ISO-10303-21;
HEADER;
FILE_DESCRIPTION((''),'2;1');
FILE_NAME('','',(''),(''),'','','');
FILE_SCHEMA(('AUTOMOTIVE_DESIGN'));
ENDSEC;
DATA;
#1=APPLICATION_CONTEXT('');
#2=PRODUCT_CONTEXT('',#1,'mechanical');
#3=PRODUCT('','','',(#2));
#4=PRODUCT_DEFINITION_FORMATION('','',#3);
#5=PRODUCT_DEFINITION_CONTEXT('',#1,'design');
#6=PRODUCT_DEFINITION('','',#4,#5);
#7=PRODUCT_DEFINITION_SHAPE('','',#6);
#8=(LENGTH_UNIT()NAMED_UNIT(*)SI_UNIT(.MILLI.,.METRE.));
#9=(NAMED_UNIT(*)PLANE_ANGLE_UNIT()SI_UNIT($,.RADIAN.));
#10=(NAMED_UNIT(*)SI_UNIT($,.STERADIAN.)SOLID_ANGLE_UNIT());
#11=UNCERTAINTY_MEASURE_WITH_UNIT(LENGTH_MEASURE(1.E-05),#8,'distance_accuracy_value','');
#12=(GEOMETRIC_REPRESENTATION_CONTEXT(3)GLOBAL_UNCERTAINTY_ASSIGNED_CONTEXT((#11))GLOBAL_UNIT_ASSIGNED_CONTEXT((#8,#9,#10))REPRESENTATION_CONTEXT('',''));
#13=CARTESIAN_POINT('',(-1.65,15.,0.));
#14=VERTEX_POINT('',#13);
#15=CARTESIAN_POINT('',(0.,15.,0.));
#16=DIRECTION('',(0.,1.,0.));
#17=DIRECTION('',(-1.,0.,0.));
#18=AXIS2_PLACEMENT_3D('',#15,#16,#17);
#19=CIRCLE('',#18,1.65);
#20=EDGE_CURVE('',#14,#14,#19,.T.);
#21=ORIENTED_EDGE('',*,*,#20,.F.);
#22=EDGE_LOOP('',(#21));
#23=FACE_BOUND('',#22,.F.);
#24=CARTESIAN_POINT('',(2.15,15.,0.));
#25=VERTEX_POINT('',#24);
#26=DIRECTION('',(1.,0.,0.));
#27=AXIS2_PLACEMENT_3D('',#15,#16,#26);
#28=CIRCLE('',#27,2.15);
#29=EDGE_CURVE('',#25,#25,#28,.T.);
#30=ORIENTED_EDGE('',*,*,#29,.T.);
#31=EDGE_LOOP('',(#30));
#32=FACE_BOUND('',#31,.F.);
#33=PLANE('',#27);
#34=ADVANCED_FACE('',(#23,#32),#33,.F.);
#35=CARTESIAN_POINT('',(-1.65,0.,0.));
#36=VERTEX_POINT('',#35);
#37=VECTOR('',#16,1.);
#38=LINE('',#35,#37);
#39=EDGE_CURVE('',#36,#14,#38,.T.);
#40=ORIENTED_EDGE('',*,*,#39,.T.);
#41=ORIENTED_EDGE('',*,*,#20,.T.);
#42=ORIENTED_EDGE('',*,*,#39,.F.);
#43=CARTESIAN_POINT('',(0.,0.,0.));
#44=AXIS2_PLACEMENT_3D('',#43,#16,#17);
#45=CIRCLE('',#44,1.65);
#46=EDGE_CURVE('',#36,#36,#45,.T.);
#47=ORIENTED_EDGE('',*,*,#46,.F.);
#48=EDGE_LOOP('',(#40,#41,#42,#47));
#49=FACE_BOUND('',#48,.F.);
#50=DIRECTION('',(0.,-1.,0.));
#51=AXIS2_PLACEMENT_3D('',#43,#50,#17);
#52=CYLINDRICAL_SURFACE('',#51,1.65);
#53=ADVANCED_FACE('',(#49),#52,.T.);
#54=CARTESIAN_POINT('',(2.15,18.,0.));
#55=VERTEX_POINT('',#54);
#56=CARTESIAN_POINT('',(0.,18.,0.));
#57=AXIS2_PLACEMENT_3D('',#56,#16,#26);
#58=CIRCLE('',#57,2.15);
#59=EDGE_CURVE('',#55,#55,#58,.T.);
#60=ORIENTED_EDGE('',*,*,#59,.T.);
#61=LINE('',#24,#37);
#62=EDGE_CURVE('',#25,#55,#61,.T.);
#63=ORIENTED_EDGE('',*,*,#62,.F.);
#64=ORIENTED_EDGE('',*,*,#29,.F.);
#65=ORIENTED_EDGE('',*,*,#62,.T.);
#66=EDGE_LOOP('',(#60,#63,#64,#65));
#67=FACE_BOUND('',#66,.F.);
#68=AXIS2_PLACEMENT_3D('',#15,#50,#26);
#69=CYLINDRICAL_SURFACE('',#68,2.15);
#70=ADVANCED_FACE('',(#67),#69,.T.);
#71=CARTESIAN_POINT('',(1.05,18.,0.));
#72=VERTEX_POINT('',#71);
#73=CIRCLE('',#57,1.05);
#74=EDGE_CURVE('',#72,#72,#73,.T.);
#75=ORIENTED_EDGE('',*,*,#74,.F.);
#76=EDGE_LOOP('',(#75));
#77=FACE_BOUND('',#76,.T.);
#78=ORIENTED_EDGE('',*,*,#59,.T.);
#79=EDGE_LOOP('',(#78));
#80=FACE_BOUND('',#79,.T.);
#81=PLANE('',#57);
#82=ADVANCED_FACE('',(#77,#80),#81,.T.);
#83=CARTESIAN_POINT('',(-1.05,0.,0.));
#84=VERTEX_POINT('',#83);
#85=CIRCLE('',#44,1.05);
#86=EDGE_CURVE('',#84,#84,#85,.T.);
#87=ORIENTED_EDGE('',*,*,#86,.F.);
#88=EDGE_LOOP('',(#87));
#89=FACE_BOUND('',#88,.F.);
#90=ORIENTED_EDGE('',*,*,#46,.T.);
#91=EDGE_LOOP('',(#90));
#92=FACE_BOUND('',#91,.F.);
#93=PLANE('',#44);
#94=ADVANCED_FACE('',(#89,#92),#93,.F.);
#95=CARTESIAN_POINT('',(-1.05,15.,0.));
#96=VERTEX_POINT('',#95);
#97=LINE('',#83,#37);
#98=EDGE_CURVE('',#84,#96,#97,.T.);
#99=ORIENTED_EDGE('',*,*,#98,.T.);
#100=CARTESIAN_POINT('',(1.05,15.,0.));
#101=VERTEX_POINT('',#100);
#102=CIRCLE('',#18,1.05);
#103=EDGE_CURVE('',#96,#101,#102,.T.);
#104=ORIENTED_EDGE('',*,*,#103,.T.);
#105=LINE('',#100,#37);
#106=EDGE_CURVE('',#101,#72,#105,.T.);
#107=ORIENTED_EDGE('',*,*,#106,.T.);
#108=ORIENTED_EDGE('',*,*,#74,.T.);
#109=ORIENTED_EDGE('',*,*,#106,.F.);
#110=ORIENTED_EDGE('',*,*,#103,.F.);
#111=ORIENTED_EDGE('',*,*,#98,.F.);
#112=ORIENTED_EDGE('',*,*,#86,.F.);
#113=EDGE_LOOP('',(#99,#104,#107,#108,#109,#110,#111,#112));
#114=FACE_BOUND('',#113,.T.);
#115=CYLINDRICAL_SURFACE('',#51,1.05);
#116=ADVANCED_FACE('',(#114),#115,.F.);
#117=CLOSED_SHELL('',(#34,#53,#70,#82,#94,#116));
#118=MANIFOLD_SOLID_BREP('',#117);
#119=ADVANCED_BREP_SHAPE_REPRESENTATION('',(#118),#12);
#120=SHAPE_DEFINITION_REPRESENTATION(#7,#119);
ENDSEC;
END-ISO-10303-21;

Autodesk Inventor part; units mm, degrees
ref_plane "YZ Plane" through (0, 0, 0) normal (1, 0, 0) x (0, 1, 0)
ref_plane "XZ Plane" through (0, 0, 0) normal (0, 1, 0) x (-1, 0, 0)
ref_plane "XY Plane" through (0, 0, 0) normal (0, 0, 1) x (1, 0, 0)
sketch "Sketch1" plane through (0, 0, 0) normal (0, 1, 0) x (-1, 0, 0)
  circle A0 centre (0, 0) radius 1.65
  circle A1 centre (0, 0) radius 1.05
  dimension "d0" = 3.3
  dimension "d1" = 2.1
extrude "Extrusion1" add sketch "Sketch1" along normal blind 15
sketch "Sketch2" plane through (0, 15, 0) normal (0, 1, 0) x (1, 0, 0)
  circle A0 centre (0, 0) radius 1.65 projected
  circle A1 centre (0, 0) radius 1.05 projected
  circle A2 centre (0, 0) radius 2.15
  dimension "d4" = 0.5
extrude "Extrusion2" add sketch "Sketch2" along normal blind 3 contours A0 | A2
properties part number "Arduino-cz1_3DPrint"
